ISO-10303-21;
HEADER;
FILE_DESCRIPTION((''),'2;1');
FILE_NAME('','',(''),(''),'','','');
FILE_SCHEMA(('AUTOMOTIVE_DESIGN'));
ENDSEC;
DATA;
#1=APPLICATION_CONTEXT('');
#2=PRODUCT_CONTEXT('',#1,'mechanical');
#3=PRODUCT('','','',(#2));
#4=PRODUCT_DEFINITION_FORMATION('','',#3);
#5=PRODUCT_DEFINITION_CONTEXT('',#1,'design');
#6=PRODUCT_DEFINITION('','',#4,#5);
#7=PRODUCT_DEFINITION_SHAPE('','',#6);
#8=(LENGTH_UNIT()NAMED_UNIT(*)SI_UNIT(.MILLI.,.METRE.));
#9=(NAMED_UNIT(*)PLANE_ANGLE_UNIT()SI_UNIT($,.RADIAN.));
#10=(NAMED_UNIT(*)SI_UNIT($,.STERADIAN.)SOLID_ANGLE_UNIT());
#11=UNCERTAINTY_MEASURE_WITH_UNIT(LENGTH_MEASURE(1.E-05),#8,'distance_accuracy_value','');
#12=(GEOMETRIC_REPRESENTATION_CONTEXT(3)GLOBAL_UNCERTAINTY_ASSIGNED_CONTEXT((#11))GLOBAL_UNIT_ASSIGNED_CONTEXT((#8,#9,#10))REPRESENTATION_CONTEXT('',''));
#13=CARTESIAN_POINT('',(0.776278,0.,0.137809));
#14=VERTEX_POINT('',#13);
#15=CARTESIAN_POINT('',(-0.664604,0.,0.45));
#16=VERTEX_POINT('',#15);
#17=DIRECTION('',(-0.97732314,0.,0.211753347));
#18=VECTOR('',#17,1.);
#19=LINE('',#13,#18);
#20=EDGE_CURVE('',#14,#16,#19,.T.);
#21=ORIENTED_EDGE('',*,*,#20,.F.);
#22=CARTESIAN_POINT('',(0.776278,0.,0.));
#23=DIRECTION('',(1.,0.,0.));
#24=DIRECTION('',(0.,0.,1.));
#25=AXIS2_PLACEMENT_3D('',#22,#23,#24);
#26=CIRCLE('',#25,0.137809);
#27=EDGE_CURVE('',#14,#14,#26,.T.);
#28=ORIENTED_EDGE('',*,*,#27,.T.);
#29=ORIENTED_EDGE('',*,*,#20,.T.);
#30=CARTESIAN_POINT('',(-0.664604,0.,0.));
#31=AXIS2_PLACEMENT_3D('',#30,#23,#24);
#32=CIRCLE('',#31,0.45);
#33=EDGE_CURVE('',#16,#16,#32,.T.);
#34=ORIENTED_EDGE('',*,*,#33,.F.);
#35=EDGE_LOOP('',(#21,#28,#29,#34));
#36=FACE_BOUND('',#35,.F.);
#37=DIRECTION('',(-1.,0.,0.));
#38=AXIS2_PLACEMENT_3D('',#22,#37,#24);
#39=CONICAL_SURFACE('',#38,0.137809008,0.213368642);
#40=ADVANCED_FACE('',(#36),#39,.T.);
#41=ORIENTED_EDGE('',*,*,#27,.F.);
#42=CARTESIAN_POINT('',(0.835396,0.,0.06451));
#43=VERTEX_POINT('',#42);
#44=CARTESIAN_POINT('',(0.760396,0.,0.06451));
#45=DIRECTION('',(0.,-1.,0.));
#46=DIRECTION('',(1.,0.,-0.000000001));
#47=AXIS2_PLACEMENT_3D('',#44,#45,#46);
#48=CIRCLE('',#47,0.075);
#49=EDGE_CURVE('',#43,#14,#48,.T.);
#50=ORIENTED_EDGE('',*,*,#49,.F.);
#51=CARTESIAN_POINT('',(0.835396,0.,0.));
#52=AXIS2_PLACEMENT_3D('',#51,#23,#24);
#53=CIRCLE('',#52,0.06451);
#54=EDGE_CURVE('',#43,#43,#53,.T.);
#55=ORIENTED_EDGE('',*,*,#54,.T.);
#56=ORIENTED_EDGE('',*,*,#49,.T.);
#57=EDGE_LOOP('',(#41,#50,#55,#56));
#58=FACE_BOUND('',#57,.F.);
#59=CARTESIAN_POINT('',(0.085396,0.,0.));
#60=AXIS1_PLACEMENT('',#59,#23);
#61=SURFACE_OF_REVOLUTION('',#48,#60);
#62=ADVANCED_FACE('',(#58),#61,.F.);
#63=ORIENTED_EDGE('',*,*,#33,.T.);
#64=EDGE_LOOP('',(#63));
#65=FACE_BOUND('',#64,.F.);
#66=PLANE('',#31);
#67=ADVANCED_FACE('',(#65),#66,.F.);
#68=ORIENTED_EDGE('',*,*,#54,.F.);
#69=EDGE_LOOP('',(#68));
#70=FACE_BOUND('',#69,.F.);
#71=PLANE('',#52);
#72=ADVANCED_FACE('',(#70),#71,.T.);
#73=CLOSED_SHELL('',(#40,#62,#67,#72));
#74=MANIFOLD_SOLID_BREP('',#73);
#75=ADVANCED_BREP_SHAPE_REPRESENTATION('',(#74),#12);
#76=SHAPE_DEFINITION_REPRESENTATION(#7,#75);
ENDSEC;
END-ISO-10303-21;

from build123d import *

# Parameters (mm, degrees)
F3_SCALE = 0.5


with BuildPart() as f2:
    # F1 (on Front) → F2 (revolve)
    with BuildSketch(Plane.XZ):
        with BuildLine():
            Line((-1.3292078643, 0.9), (-1.3292078643, 0))
            Line((-1.3292078643, 0), (1.6707921357, 0))
            Line((1.6707921357, 0), (1.6707921357, 0.035534465))
            Line((1.6707921357, 0.035534465), (1.6707921357, 0.1290195452))
            ThreePointArc((1.6707921357, 0.1290195452), (1.6375492561, 0.2231884087), (1.5525551378, 0.2756180162))
            Line((1.5525551378, 0.2756180162), (-1.3292078643, 0.9))
        make_face()
    revolve(axis=Axis((0.1707921357, 0, 0), (1, 0, 0)))


with BuildPart() as f2_1:
    # F3: moved
    add(f2.part.scale(F3_SCALE))


solid = f2_1.part
